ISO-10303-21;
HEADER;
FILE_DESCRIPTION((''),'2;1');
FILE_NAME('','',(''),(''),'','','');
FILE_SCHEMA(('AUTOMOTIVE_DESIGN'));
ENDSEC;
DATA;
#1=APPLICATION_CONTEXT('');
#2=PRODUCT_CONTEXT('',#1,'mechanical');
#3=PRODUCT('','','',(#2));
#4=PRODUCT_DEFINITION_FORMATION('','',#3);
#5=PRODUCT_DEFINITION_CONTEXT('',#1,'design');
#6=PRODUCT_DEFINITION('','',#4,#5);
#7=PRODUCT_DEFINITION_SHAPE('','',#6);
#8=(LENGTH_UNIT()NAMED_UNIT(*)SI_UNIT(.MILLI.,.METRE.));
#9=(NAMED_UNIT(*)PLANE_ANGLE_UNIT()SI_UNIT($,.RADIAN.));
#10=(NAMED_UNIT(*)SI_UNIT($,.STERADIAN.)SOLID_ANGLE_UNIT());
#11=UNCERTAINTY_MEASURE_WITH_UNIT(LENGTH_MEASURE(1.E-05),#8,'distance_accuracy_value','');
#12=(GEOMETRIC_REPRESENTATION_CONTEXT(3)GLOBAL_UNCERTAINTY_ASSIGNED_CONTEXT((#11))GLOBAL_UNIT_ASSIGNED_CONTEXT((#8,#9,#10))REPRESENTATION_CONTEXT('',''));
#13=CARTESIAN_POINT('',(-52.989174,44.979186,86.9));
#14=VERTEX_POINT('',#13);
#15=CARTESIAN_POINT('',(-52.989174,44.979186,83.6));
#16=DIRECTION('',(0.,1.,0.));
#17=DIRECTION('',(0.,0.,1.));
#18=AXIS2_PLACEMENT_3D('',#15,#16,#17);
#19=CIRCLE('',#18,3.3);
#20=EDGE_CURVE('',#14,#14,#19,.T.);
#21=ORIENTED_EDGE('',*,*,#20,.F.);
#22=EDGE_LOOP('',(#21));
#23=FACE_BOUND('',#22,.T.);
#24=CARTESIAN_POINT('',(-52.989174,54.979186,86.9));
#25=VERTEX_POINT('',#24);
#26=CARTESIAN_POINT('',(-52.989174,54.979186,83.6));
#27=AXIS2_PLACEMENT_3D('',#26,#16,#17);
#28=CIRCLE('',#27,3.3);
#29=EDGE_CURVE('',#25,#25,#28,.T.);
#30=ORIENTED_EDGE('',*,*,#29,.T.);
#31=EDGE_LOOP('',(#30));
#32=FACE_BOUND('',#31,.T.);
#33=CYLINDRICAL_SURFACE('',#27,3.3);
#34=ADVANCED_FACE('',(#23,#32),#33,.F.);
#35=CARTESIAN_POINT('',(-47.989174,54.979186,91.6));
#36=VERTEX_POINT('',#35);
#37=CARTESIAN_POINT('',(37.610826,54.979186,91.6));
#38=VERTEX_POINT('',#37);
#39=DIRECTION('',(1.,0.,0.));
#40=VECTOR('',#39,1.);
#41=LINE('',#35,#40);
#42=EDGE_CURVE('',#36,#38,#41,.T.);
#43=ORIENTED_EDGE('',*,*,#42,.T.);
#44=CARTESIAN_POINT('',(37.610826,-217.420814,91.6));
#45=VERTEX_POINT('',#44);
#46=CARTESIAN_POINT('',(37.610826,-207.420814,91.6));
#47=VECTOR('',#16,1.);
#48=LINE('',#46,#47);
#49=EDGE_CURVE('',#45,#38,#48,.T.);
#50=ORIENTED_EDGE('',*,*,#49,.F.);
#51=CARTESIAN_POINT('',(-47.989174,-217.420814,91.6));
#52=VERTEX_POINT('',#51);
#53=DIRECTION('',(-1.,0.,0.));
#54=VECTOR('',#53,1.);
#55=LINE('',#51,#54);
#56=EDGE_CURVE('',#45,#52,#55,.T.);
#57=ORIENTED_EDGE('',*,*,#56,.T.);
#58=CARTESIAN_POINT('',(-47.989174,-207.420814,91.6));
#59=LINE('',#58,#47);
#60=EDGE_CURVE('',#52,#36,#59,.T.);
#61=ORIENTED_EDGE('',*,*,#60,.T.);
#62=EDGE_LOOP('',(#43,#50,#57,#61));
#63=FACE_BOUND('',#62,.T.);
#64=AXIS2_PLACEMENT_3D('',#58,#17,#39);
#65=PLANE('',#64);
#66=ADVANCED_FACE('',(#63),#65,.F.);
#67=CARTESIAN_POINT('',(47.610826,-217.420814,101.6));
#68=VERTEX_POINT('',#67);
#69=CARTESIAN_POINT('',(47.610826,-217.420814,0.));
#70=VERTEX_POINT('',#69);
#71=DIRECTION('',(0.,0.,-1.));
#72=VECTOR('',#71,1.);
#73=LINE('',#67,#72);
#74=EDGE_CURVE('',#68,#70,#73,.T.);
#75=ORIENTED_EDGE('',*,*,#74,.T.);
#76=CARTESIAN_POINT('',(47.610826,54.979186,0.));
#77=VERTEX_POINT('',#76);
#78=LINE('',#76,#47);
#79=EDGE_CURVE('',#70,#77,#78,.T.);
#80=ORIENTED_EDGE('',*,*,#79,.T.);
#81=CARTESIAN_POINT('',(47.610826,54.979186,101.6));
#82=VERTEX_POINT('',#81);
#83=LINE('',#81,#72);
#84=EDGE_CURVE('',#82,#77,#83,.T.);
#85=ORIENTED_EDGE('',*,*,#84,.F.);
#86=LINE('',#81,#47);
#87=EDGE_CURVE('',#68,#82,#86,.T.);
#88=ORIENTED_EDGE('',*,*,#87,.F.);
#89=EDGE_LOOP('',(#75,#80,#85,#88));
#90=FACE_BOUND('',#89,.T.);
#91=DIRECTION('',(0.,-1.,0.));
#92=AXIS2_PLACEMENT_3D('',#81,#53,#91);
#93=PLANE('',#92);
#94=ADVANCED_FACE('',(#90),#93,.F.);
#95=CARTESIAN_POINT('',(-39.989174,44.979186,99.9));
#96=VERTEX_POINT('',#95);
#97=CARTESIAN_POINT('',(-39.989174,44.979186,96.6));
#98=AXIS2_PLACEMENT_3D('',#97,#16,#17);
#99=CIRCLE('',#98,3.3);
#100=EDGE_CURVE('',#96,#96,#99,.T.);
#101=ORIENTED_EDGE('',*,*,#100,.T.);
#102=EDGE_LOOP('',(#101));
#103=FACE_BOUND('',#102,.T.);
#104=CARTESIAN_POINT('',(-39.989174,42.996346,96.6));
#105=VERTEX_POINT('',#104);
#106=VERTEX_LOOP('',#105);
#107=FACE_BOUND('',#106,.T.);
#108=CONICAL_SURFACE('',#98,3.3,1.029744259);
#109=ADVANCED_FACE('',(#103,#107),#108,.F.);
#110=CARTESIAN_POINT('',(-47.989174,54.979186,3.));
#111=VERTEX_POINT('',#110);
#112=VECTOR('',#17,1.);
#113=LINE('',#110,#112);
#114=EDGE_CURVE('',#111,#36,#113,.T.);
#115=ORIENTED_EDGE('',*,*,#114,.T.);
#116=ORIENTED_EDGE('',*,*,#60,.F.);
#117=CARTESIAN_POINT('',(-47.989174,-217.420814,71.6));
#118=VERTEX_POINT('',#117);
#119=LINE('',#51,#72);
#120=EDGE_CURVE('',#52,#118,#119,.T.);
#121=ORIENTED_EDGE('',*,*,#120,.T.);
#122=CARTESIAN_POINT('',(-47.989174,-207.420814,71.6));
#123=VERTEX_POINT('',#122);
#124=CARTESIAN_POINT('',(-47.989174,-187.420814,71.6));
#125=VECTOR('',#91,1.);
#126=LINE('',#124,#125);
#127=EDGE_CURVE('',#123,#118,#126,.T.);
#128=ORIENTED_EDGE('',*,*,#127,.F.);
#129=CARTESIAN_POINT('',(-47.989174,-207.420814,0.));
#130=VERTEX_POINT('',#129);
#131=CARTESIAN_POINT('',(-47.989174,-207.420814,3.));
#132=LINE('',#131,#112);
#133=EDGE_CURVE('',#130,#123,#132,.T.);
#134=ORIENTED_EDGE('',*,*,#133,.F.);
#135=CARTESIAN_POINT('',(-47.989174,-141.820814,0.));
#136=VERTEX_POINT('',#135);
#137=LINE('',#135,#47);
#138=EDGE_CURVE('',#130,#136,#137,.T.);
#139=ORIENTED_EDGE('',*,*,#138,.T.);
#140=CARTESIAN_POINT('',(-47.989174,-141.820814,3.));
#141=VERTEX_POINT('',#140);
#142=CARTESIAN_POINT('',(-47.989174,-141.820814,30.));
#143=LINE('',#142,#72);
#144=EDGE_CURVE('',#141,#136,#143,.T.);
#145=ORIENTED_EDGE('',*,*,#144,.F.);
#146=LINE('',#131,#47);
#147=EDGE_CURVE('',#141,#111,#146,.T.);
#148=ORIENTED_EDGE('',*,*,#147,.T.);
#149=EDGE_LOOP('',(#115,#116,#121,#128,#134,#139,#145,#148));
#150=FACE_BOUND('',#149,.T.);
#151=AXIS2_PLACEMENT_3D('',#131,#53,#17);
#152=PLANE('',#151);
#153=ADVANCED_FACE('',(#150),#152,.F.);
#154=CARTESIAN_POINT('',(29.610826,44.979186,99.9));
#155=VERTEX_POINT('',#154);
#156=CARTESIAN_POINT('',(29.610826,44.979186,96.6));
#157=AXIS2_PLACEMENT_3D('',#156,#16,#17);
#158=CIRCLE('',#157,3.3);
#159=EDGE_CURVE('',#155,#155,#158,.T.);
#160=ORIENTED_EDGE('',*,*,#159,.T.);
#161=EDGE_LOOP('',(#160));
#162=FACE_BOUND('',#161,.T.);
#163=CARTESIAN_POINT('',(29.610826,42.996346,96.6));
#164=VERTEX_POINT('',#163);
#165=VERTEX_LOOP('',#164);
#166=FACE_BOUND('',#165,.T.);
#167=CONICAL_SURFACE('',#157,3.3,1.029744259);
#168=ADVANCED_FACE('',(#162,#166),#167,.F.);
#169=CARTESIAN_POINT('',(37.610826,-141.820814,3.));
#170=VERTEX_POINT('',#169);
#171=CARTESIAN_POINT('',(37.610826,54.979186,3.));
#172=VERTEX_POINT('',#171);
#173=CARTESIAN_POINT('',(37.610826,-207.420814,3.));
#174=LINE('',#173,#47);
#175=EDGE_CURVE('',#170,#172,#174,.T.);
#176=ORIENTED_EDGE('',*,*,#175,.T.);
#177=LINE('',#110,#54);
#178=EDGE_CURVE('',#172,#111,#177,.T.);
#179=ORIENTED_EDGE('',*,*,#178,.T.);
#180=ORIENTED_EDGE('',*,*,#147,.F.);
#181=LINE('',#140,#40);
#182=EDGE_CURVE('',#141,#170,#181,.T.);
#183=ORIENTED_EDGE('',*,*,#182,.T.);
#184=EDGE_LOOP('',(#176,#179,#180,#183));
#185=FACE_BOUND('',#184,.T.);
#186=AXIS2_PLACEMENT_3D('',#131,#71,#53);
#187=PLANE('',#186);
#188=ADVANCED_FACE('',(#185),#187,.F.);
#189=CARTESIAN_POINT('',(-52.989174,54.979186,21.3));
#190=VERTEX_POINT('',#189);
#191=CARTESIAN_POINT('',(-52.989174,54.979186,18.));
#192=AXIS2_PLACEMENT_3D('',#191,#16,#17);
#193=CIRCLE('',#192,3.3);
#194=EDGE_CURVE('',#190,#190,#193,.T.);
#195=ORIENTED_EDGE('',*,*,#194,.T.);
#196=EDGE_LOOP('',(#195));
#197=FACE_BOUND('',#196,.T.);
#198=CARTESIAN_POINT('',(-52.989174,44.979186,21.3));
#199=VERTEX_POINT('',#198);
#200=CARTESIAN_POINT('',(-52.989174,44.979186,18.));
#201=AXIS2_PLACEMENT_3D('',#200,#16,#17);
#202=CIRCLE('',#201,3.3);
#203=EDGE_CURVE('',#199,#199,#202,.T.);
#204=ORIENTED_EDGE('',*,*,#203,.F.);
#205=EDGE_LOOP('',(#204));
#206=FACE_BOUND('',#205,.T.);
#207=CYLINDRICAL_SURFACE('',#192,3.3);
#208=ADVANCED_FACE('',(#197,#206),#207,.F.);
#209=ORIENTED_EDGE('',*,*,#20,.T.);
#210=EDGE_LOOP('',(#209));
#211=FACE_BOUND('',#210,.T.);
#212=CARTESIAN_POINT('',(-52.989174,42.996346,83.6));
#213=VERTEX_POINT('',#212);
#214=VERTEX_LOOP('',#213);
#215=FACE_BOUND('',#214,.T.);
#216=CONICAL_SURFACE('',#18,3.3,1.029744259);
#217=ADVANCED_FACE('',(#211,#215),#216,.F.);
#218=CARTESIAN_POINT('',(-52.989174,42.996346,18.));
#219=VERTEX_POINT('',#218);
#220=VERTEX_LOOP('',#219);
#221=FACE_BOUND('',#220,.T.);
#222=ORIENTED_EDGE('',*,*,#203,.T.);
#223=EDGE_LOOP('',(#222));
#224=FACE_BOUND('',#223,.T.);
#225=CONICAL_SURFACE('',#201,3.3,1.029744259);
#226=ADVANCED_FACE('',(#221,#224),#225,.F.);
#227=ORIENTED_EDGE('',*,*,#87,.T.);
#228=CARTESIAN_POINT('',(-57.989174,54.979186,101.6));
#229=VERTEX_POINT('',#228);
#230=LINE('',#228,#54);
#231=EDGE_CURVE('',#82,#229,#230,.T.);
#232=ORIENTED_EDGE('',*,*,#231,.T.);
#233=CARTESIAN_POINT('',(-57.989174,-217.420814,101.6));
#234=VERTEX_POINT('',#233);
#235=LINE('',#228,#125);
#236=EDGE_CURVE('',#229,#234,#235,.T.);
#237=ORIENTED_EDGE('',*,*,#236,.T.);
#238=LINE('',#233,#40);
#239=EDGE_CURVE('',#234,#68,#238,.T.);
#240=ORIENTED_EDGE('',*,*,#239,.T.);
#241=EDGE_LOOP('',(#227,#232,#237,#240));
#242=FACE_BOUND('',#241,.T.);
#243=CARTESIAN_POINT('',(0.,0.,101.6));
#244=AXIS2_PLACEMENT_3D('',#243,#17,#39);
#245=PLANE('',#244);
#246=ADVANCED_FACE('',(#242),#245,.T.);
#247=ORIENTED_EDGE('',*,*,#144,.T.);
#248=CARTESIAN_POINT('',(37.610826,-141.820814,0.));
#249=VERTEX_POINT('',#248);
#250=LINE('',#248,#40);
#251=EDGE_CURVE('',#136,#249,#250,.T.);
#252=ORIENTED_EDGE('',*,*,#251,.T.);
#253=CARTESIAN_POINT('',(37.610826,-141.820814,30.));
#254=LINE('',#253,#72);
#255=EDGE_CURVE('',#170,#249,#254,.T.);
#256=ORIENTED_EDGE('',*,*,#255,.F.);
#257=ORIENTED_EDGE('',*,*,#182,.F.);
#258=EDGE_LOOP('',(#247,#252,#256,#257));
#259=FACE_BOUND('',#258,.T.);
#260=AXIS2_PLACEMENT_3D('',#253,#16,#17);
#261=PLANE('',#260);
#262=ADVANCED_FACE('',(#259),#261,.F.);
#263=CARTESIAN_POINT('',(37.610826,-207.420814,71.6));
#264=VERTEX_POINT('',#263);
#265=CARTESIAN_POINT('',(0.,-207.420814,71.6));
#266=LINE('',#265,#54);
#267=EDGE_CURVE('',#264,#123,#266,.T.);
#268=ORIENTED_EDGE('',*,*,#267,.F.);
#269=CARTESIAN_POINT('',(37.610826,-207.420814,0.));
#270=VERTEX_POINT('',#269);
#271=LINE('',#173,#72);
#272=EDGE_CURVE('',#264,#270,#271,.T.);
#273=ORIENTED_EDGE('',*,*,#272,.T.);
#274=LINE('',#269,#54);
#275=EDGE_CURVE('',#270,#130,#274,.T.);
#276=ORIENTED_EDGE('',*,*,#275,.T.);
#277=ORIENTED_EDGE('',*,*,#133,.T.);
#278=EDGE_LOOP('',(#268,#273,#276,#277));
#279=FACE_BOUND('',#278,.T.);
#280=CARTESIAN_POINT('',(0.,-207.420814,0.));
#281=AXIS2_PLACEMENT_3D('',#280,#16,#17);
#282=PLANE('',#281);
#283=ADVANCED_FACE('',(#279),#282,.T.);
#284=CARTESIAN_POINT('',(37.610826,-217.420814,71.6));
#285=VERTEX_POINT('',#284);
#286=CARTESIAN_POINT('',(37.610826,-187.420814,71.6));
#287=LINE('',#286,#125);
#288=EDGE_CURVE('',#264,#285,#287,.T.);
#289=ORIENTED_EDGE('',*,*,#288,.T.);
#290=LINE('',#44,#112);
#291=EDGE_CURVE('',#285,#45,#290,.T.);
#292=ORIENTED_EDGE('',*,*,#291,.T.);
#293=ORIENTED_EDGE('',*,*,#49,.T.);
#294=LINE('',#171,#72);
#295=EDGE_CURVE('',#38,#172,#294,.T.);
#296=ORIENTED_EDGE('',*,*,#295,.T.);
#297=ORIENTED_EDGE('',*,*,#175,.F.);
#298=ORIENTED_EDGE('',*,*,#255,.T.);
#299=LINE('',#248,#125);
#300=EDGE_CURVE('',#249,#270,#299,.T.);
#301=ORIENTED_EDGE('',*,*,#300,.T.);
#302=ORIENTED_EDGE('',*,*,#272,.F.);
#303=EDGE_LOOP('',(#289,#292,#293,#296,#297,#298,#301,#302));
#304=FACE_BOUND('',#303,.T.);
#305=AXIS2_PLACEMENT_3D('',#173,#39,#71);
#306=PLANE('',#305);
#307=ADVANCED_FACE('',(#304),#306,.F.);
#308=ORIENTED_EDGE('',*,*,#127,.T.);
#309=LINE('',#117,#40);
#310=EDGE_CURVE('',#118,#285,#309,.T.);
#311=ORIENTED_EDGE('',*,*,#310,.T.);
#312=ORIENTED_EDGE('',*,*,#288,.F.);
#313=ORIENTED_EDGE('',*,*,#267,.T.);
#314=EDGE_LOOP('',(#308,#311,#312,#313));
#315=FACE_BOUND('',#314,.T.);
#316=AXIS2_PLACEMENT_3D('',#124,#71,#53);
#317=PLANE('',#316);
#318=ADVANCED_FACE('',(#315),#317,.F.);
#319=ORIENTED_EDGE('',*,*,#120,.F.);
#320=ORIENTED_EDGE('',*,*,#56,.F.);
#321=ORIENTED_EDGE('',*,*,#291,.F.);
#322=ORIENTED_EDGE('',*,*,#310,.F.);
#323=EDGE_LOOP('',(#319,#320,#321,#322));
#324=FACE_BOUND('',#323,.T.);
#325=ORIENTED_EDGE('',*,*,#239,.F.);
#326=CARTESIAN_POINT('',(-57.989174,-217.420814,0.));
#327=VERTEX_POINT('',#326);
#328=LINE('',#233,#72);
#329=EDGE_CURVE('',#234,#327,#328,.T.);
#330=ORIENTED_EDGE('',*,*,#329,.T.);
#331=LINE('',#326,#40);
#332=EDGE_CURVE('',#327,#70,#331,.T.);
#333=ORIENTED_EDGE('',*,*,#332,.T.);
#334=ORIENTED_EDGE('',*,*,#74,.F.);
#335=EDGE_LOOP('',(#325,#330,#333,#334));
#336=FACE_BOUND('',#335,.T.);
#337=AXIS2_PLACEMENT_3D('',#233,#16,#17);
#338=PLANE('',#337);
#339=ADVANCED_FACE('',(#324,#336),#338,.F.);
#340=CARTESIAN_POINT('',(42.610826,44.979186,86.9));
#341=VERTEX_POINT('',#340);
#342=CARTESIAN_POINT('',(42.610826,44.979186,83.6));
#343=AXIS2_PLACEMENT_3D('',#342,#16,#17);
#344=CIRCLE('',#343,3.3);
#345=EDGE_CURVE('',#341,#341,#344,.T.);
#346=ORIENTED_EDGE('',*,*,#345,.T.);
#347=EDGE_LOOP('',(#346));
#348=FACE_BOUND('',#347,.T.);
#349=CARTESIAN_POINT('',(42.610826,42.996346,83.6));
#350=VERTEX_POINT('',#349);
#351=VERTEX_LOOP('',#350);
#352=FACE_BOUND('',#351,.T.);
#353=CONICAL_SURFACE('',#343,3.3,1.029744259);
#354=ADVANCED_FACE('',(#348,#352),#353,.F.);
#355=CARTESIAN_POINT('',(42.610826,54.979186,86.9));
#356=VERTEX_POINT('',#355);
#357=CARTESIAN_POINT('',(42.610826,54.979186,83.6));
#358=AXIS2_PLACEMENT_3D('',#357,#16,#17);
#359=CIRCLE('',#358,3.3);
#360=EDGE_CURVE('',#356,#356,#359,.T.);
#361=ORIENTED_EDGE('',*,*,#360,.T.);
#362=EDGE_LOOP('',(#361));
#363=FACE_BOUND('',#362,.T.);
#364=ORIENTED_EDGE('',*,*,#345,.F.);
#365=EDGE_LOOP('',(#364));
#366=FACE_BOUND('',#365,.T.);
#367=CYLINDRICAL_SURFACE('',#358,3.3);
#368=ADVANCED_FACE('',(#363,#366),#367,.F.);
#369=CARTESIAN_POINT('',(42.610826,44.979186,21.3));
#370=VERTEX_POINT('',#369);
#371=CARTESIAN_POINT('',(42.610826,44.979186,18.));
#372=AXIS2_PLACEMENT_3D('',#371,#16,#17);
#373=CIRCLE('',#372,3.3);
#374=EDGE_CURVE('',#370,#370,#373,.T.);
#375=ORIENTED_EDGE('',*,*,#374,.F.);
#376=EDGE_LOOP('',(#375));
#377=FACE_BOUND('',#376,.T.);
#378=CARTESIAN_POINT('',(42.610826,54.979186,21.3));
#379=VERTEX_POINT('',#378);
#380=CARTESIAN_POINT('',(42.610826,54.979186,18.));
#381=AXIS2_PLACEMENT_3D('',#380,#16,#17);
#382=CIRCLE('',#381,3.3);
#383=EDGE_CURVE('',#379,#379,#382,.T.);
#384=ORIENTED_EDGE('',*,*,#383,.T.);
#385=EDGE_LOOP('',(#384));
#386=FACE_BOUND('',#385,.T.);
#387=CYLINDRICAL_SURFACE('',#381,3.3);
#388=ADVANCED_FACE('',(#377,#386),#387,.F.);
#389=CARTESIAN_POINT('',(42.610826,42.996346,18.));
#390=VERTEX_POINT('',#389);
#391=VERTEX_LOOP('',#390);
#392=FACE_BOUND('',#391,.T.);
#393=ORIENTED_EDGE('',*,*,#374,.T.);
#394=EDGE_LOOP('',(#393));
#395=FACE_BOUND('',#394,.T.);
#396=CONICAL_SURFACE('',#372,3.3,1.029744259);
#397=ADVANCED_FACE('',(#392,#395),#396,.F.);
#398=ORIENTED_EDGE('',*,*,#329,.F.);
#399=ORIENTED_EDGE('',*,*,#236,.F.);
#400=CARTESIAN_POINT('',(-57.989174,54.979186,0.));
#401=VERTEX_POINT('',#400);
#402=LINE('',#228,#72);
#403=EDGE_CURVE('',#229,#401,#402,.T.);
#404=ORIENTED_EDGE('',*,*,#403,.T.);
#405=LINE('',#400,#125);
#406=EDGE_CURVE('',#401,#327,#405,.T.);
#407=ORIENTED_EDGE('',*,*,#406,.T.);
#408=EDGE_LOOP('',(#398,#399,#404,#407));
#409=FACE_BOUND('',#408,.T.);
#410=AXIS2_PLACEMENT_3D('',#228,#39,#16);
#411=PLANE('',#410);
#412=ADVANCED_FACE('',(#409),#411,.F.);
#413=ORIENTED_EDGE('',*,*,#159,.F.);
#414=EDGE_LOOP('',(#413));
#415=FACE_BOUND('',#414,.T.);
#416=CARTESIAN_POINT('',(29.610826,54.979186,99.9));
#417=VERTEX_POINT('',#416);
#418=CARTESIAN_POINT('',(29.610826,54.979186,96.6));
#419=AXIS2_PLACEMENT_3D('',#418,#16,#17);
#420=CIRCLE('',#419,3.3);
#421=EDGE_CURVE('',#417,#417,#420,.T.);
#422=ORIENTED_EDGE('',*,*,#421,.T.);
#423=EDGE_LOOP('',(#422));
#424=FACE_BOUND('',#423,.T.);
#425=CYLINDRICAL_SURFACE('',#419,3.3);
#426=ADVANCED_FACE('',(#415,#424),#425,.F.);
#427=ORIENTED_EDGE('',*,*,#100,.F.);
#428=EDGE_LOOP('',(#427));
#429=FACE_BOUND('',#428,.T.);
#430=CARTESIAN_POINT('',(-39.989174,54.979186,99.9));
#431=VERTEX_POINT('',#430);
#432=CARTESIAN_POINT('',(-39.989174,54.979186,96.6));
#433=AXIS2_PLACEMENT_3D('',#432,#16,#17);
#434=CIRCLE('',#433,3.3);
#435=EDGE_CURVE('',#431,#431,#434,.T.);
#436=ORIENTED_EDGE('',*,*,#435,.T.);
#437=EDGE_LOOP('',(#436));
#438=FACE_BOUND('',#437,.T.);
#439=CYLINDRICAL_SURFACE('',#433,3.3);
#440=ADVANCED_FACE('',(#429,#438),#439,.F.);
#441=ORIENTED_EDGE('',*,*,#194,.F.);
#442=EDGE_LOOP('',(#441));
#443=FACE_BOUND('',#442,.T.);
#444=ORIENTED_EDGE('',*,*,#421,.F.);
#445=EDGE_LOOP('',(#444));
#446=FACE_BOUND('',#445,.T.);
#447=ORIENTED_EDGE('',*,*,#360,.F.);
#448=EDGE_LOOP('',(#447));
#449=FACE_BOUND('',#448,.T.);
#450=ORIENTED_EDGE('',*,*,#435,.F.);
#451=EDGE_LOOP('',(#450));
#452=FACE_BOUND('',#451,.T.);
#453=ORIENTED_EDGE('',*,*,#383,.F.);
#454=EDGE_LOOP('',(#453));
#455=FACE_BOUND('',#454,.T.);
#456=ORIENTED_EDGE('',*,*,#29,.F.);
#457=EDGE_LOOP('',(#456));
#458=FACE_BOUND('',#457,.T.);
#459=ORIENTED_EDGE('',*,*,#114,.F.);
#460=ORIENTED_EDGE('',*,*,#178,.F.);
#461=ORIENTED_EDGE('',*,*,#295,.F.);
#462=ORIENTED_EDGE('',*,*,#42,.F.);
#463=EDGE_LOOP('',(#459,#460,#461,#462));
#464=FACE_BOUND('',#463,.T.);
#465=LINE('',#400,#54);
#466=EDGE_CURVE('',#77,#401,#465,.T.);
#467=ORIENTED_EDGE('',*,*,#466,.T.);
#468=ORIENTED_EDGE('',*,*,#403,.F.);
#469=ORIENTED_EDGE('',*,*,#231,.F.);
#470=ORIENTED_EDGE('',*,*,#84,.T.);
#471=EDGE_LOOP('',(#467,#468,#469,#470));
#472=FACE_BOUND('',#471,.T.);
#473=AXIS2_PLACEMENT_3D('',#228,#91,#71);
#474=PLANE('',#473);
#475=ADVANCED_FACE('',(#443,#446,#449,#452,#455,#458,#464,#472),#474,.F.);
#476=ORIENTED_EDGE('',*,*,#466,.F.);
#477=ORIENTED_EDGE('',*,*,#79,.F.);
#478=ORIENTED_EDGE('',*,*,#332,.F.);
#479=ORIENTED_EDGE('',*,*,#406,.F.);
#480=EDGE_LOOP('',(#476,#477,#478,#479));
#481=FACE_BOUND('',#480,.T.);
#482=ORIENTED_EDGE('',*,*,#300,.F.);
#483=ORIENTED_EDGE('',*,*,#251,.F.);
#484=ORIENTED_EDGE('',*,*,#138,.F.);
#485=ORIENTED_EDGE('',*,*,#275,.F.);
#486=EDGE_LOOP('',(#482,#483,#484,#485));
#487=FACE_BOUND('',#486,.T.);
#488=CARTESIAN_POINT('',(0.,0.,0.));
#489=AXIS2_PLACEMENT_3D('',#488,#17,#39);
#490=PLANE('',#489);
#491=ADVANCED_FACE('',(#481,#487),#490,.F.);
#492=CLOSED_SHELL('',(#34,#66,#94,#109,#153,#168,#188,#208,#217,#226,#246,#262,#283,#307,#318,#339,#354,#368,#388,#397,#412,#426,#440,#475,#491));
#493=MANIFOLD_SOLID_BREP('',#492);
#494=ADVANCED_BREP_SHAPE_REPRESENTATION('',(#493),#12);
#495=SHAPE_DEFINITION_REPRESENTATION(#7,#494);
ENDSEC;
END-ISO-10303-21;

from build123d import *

# Parameters (mm, degrees)
ESQUISSE1_W             = 105.6
ESQUISSE1_H             = 272.4
BOSS_EXTRU_1_DEPTH      = 101.6
ESQUISSE3_W             = 85.6
ESQUISSE3_H             = 88.6
ENL_V_MAT_EXTRU_1_DEPTH = 262.4
ESQUISSE4_W             = 85.6
ESQUISSE4_H             = 20
ENL_V_MAT_EXTRU_2_DEPTH = 30
ESQUISSE5_W             = 85.6
ESQUISSE5_H             = 65.6
ENL_V_MAT_EXTRU_3_DEPTH = 30
D_GAGEMENT_M61_D        = 6.6
D_GAGEMENT_M61_DEPTH    = 10
D_GAGEMENT_M61_TIP      = 1.982840043


with BuildPart() as part:
    # Esquisse1 → Boss.-Extru.1 (new body)
    with BuildSketch(Plane.XY):
        with Locations((-5.189173744, -81.220813953)):
            Rectangle(ESQUISSE1_W, ESQUISSE1_H)
    extrude(amount=BOSS_EXTRU_1_DEPTH)

    # Esquisse3 → Enlèv. mat.-Extru.1 (cut)
    with BuildSketch(Plane(origin=(0, 54.979186047, 0), x_dir=(1, 0, 0), z_dir=(0, 1, 0))):
        with Locations((-5.189173744, -47.3)):
            Rectangle(ESQUISSE3_W, ESQUISSE3_H)
    extrude(amount=-ENL_V_MAT_EXTRU_1_DEPTH, mode=Mode.SUBTRACT)

    # Esquisse4 → Enlèv. mat.-Extru.2 (cut)
    with BuildSketch(Plane.XZ.offset(217.420813953)):
        with Locations((-5.189173744, 81.6)):
            Rectangle(ESQUISSE4_W, ESQUISSE4_H)
    extrude(amount=-ENL_V_MAT_EXTRU_2_DEPTH, mode=Mode.SUBTRACT)

    # Esquisse5 → Enlèv. mat.-Extru.3 (cut)
    with BuildSketch(Plane(origin=(0, 0, 0), x_dir=(-1, 0, 0), z_dir=(0, 0, -1))):
        with Locations((5.189173744, -174.620813953)):
            Rectangle(ESQUISSE5_W, ESQUISSE5_H)
    extrude(amount=-ENL_V_MAT_EXTRU_3_DEPTH, mode=Mode.SUBTRACT)

    # Dégagement M61
    with Locations(Plane(origin=(-52.989173744, 54.979186047, 18), x_dir=(0, 0, 1), z_dir=(0, 1, 0))):
        with Locations((0, 0), (65.6, 0), (0, 95.6), (65.6, 95.6), (78.6, 13), (78.6, 82.6)):
            Hole(D_GAGEMENT_M61_D / 2, depth=D_GAGEMENT_M61_DEPTH)
            with Locations((0, 0, -(D_GAGEMENT_M61_DEPTH + D_GAGEMENT_M61_TIP / 2))):  # 118° drill point
                Cone(0, D_GAGEMENT_M61_D / 2, D_GAGEMENT_M61_TIP, mode=Mode.SUBTRACT)


solid = part.part
